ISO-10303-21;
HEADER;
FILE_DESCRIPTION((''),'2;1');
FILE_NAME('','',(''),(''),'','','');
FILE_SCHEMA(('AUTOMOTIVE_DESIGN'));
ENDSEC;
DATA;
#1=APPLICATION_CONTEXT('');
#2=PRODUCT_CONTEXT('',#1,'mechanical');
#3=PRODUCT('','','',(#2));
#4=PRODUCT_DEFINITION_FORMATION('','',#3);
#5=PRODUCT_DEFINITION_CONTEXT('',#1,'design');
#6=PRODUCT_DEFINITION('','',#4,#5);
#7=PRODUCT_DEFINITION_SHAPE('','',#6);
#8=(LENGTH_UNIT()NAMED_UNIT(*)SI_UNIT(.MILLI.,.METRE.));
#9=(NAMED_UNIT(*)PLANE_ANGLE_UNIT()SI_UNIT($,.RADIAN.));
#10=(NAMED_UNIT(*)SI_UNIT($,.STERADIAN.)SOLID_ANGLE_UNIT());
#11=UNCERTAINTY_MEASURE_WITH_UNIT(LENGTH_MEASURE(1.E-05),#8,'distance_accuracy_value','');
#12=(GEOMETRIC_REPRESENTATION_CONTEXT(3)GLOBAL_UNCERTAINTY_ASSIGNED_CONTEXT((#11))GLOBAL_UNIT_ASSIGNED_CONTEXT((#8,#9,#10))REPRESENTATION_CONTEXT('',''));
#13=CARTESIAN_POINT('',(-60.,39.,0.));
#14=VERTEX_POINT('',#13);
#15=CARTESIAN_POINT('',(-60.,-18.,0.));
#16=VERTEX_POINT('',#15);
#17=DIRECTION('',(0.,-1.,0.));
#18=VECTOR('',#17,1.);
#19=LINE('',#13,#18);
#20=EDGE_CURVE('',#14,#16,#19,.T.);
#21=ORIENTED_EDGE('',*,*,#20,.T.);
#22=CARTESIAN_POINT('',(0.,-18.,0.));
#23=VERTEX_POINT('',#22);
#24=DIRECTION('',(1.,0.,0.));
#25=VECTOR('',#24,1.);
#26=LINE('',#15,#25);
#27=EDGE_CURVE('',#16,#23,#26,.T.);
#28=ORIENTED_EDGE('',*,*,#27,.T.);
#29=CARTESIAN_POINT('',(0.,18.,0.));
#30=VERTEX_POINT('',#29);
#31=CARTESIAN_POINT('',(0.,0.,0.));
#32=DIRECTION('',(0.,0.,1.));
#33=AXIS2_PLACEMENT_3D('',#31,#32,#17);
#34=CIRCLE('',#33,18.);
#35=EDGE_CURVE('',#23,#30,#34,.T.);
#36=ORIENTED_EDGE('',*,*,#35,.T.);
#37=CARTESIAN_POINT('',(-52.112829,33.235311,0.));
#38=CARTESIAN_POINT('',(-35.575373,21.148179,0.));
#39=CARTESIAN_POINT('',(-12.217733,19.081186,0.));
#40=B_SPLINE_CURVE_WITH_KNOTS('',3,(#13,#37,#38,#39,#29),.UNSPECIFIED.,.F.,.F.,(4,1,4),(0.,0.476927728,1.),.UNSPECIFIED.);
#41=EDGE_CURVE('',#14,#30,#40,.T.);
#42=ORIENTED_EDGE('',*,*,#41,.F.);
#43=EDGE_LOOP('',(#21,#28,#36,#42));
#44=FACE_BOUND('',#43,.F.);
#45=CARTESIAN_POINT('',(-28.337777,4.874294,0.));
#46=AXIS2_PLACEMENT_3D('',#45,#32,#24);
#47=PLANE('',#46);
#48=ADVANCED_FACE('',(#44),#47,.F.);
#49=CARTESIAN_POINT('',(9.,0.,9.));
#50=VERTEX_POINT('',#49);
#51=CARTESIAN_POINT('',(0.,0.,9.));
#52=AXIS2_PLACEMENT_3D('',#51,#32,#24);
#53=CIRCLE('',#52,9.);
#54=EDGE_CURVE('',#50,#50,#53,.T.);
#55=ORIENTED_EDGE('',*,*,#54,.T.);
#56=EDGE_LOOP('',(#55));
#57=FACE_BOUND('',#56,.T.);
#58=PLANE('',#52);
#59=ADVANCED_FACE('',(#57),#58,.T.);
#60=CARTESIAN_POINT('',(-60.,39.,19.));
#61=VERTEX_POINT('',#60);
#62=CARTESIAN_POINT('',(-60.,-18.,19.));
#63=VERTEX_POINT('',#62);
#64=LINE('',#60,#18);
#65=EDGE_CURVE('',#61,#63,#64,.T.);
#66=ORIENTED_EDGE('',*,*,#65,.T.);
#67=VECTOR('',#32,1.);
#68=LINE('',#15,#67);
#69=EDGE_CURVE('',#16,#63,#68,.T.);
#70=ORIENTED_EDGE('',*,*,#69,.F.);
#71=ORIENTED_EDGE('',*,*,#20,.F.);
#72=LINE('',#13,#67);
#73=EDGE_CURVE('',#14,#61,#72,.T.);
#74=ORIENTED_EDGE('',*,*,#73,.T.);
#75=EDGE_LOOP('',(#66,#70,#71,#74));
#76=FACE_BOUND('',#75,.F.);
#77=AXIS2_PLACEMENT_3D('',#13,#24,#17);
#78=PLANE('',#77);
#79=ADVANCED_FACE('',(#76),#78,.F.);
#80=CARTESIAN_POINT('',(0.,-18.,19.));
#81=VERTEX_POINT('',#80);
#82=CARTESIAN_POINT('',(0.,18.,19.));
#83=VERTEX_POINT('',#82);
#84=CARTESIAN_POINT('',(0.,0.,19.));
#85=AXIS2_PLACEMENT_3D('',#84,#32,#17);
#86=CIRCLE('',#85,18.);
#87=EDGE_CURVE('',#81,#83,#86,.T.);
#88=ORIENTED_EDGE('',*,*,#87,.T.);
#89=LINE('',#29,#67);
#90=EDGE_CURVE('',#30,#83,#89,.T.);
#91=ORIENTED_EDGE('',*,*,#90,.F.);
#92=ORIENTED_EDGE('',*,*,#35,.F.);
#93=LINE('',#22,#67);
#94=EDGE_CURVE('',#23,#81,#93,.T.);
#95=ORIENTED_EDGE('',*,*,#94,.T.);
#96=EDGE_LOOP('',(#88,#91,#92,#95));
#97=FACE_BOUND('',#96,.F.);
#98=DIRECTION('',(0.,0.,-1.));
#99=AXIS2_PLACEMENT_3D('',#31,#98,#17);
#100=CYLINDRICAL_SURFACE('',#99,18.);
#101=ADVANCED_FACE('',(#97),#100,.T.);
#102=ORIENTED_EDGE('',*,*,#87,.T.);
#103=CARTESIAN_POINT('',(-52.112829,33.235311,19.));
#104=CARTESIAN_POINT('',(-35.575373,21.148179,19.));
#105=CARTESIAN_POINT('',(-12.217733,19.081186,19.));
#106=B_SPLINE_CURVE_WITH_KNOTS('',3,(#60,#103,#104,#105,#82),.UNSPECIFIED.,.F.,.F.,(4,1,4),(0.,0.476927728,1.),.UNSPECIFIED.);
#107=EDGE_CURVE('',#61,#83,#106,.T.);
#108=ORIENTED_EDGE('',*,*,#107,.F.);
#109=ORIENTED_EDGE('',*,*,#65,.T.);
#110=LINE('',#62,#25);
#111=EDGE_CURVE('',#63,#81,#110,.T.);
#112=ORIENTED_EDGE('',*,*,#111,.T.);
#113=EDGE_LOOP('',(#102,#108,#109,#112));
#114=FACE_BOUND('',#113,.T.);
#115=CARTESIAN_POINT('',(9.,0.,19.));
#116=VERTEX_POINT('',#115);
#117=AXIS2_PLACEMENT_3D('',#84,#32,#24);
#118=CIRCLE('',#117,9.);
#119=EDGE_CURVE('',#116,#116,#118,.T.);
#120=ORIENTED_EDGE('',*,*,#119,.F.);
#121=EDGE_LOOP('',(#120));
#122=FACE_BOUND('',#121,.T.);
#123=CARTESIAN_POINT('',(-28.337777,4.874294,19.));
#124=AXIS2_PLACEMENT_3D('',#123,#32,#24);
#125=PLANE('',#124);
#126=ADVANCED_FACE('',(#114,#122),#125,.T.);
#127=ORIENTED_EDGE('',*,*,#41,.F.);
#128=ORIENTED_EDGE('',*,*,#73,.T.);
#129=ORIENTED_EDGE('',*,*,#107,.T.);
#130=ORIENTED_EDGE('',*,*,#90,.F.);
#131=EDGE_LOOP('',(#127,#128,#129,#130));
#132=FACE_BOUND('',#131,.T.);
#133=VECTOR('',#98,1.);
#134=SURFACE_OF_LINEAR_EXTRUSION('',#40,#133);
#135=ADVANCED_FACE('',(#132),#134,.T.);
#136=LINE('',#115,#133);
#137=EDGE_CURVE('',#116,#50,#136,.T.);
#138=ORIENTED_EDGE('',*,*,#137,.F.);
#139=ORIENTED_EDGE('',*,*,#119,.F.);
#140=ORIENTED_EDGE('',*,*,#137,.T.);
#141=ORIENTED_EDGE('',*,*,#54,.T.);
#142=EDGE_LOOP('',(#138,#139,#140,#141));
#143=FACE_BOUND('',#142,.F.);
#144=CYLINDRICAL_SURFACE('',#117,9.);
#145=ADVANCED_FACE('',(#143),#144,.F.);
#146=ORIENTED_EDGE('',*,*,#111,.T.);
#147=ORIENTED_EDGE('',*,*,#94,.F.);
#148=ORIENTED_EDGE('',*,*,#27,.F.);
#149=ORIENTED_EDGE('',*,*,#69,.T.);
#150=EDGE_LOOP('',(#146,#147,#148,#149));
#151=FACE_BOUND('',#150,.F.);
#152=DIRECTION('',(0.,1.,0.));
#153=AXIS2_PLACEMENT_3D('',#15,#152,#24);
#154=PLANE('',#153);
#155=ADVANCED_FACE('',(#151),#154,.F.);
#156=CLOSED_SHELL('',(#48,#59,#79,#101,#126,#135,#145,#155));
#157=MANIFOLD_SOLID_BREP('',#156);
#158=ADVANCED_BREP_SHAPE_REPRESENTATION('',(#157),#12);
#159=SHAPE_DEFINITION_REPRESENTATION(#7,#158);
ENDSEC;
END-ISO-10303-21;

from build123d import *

# Parameters (mm, degrees)
F1_DEPTH      = 19
F2_R          = 9
F3_DEPTH      = 25.4
F3_DEPTH_BACK = 10


with BuildPart() as f1:
    # F0 (on Top) → F1 (new body)
    with BuildSketch(Plane.XY):
        with BuildLine():
            Line((-60, -18), (0, -18))
            ThreePointArc((0, -18), (18, 0), (0, 18))
            add(Edge.make_bspline(
                [(-60, 39), (-52.1128287226, 33.2353114055), (-35.5753727915, 21.1481789934), (-12.2177334752, 19.0811864741), (0, 18)],
                knots=[0, 0, 0, 0, 0.4769277276, 1, 1, 1, 1], degree=3))
            Line((-60, 39), (-60, -18))
        make_face()
    extrude(amount=F1_DEPTH)

    # F2 (on face) → F3 (cut, two sides)
    with BuildSketch(Plane.XY.offset(19)) as f3_sk:
        Circle(F2_R)
    extrude(amount=F3_DEPTH, mode=Mode.SUBTRACT)
    extrude(f3_sk.sketch, amount=-F3_DEPTH_BACK, mode=Mode.SUBTRACT)


solid = f1.part
